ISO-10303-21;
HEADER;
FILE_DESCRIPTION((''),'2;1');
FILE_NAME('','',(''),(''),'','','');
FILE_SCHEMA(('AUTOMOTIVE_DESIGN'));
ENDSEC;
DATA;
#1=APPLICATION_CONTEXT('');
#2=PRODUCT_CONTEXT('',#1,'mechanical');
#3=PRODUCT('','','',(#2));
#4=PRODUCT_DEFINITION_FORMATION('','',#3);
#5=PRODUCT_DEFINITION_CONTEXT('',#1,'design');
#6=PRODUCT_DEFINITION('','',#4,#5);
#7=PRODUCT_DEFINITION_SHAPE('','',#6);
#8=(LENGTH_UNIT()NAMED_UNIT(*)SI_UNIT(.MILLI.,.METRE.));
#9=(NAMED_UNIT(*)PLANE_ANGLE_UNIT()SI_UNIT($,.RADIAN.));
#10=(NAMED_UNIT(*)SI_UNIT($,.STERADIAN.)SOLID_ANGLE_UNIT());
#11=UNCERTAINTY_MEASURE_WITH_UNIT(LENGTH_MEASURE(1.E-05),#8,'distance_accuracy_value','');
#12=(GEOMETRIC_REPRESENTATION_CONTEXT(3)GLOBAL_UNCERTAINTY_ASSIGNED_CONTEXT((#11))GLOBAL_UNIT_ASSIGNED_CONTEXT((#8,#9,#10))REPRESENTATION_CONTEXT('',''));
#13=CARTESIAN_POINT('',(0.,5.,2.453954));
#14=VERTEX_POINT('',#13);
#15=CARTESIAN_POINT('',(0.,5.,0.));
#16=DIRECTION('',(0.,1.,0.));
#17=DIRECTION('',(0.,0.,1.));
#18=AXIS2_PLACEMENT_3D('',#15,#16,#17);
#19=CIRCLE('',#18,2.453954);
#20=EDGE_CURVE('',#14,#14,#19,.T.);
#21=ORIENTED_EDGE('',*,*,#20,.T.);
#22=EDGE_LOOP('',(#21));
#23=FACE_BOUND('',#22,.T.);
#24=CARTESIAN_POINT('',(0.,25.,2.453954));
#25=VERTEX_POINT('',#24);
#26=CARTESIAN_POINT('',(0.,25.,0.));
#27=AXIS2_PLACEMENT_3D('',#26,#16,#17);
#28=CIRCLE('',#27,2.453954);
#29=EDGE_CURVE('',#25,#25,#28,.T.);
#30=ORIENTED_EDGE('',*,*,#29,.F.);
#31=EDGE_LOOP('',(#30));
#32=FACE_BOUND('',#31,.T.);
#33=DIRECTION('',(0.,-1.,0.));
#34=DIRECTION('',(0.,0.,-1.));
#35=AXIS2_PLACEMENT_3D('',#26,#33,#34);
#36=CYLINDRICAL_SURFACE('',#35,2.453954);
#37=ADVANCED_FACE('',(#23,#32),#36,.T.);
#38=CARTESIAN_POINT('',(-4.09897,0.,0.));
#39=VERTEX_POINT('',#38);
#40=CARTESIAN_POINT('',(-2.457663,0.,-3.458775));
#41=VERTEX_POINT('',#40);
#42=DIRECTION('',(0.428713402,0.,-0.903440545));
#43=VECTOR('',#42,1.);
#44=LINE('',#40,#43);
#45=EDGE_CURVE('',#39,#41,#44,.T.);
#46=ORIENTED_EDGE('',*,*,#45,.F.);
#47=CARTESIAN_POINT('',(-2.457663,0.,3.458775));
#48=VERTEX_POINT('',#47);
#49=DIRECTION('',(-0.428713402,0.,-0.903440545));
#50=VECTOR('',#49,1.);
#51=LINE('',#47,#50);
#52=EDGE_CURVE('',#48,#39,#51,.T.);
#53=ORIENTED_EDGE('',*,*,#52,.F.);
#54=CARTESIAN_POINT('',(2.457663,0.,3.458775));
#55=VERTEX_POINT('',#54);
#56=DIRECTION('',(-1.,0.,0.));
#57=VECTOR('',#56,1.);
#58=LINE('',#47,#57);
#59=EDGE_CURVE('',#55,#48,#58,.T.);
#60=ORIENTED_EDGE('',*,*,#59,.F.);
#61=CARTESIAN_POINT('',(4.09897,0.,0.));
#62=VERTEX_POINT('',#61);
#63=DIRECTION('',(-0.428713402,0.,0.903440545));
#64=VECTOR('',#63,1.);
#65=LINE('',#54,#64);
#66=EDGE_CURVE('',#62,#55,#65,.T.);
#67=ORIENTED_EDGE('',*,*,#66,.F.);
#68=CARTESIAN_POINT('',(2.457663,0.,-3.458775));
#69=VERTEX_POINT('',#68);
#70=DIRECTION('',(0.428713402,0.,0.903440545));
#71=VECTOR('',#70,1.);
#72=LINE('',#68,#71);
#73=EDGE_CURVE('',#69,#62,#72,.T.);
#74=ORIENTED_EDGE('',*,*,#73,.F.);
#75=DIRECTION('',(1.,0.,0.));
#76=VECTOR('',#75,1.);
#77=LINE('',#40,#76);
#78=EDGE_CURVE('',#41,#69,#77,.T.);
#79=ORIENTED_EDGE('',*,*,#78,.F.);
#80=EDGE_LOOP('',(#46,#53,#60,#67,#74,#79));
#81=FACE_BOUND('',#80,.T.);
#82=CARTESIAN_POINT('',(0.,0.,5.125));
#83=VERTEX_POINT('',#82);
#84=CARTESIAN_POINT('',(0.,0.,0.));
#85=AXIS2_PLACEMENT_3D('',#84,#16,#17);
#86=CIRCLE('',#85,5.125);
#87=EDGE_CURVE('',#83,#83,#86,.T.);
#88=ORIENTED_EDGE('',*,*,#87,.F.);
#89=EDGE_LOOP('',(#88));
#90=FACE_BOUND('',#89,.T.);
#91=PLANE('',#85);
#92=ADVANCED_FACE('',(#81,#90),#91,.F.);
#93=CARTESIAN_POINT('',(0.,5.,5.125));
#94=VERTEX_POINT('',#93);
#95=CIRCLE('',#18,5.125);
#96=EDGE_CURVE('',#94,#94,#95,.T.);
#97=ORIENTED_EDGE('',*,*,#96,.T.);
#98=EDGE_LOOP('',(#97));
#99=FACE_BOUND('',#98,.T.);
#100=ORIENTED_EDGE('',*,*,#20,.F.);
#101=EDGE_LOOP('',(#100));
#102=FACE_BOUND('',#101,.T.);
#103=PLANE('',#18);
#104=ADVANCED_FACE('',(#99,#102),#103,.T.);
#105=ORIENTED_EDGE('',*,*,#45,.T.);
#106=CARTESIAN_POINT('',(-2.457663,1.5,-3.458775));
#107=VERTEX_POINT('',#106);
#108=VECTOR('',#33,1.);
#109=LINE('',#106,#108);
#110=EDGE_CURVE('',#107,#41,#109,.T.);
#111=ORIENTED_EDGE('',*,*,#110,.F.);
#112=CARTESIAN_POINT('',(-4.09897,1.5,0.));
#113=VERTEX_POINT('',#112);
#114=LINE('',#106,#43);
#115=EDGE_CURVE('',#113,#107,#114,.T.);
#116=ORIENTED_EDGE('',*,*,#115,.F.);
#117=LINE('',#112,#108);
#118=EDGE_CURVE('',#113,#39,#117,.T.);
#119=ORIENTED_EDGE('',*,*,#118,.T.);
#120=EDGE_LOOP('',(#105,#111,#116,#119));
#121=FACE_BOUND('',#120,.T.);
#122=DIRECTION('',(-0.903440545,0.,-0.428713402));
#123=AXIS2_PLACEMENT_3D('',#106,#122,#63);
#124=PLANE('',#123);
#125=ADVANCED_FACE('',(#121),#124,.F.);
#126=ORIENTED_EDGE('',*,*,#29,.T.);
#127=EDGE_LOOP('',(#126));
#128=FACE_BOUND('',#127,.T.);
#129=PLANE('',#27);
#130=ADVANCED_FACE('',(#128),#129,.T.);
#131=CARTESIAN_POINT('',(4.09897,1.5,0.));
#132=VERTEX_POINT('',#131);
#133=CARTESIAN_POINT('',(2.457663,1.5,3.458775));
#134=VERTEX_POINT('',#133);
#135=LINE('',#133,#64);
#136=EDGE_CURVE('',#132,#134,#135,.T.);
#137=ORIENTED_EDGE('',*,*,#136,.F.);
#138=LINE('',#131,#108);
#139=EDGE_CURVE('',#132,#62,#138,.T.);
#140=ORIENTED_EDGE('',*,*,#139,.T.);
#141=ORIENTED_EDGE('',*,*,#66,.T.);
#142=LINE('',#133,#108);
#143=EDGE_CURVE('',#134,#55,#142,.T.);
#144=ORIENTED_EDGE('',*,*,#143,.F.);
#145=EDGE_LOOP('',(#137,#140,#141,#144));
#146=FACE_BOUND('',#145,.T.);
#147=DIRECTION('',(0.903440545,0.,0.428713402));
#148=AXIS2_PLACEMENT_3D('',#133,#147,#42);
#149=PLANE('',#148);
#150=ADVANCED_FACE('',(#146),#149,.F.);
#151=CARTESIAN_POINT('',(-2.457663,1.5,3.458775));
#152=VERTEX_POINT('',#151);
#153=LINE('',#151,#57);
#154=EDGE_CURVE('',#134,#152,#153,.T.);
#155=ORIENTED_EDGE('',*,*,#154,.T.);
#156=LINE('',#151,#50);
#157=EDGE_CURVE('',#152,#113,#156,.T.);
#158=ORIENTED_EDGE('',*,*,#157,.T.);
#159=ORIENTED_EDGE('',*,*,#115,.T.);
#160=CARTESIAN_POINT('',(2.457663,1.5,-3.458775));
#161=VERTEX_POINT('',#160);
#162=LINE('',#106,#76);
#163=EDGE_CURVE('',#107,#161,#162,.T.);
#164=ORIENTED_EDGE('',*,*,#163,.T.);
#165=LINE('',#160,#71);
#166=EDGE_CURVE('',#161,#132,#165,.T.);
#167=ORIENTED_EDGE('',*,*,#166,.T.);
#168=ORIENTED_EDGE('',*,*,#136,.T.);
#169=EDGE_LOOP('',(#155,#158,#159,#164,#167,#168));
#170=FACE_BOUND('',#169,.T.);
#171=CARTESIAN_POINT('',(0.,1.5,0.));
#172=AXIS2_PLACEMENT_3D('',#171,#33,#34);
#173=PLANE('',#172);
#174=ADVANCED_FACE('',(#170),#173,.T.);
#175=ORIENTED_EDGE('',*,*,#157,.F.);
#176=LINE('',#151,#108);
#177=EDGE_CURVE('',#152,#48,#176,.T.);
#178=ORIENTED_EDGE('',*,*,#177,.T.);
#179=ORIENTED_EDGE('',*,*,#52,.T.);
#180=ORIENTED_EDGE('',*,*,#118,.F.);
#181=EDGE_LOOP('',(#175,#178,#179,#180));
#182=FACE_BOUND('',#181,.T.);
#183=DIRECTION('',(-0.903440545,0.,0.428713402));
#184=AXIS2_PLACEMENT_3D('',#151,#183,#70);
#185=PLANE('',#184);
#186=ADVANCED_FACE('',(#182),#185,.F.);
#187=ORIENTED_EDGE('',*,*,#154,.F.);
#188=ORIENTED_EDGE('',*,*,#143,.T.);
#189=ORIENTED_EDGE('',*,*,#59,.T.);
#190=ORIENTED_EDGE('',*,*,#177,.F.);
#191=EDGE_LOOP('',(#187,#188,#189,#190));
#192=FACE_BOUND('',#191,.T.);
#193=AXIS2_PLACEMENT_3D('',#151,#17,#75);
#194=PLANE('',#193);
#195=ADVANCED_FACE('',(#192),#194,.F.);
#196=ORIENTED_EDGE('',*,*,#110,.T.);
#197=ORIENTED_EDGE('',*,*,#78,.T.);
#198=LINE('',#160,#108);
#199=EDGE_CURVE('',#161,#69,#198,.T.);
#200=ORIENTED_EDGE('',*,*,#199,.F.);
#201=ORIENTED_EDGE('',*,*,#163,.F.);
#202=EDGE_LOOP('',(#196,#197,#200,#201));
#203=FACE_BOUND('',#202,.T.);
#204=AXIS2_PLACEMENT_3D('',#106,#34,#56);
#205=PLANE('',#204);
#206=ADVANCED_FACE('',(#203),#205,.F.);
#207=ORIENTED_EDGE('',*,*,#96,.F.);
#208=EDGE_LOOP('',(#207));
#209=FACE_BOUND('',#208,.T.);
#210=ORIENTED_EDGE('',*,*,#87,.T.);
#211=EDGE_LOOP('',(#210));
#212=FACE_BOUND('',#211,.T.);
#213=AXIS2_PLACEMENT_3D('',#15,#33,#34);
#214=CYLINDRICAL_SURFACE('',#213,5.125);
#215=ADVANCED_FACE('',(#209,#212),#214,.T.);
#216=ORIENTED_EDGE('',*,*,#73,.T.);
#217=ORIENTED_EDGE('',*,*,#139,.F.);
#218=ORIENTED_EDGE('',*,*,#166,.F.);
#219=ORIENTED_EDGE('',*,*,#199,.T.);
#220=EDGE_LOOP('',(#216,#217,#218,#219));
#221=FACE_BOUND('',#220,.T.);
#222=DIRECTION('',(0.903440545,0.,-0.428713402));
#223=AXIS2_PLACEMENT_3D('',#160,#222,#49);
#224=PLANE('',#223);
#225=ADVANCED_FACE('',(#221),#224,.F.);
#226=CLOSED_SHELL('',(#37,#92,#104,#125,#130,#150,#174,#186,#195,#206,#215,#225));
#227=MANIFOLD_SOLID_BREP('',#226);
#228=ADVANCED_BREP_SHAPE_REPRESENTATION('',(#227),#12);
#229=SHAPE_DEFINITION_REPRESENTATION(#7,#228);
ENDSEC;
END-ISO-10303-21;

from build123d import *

# Parameters (mm, degrees)
SKETCH1_R           = 5.125
BOSS_EXTRUDE1_DEPTH = 5
SKETCH2_R           = 2.453953654
BOSS_EXTRUDE2_DEPTH = 20
CUT_EXTRUDE1_DEPTH  = 1.5


with BuildPart() as part:
    # Sketch1 → Boss-Extrude1 (new body)
    with BuildSketch(Plane(origin=(0, 0, 0), x_dir=(1, 0, 0), z_dir=(0, 1, 0))):
        with Locations(Location((0, 0, 0), (0, 0, 270))):
            Circle(SKETCH1_R)
    extrude(amount=BOSS_EXTRUDE1_DEPTH)

    # Sketch2 → Boss-Extrude2 (add)
    with BuildSketch(Plane(origin=(0, 5, 0), x_dir=(1, 0, 0), z_dir=(0, 1, 0))):
        with Locations(Location((0, 0, 0), (0, 0, 270))):
            Circle(SKETCH2_R)
    extrude(amount=BOSS_EXTRUDE2_DEPTH)

    # Sketch3 → Cut-Extrude1 (cut)
    with BuildSketch(Plane.XZ):
        Polygon((-2.457663411, 3.458774555), (2.457663411, 3.458774555), (4.098970094, 0), (2.457663411, -3.458774555), (-2.457663411, -3.458774555), (-4.098970094, 0), align=None)
    extrude(amount=-CUT_EXTRUDE1_DEPTH, mode=Mode.SUBTRACT)


solid = part.part
